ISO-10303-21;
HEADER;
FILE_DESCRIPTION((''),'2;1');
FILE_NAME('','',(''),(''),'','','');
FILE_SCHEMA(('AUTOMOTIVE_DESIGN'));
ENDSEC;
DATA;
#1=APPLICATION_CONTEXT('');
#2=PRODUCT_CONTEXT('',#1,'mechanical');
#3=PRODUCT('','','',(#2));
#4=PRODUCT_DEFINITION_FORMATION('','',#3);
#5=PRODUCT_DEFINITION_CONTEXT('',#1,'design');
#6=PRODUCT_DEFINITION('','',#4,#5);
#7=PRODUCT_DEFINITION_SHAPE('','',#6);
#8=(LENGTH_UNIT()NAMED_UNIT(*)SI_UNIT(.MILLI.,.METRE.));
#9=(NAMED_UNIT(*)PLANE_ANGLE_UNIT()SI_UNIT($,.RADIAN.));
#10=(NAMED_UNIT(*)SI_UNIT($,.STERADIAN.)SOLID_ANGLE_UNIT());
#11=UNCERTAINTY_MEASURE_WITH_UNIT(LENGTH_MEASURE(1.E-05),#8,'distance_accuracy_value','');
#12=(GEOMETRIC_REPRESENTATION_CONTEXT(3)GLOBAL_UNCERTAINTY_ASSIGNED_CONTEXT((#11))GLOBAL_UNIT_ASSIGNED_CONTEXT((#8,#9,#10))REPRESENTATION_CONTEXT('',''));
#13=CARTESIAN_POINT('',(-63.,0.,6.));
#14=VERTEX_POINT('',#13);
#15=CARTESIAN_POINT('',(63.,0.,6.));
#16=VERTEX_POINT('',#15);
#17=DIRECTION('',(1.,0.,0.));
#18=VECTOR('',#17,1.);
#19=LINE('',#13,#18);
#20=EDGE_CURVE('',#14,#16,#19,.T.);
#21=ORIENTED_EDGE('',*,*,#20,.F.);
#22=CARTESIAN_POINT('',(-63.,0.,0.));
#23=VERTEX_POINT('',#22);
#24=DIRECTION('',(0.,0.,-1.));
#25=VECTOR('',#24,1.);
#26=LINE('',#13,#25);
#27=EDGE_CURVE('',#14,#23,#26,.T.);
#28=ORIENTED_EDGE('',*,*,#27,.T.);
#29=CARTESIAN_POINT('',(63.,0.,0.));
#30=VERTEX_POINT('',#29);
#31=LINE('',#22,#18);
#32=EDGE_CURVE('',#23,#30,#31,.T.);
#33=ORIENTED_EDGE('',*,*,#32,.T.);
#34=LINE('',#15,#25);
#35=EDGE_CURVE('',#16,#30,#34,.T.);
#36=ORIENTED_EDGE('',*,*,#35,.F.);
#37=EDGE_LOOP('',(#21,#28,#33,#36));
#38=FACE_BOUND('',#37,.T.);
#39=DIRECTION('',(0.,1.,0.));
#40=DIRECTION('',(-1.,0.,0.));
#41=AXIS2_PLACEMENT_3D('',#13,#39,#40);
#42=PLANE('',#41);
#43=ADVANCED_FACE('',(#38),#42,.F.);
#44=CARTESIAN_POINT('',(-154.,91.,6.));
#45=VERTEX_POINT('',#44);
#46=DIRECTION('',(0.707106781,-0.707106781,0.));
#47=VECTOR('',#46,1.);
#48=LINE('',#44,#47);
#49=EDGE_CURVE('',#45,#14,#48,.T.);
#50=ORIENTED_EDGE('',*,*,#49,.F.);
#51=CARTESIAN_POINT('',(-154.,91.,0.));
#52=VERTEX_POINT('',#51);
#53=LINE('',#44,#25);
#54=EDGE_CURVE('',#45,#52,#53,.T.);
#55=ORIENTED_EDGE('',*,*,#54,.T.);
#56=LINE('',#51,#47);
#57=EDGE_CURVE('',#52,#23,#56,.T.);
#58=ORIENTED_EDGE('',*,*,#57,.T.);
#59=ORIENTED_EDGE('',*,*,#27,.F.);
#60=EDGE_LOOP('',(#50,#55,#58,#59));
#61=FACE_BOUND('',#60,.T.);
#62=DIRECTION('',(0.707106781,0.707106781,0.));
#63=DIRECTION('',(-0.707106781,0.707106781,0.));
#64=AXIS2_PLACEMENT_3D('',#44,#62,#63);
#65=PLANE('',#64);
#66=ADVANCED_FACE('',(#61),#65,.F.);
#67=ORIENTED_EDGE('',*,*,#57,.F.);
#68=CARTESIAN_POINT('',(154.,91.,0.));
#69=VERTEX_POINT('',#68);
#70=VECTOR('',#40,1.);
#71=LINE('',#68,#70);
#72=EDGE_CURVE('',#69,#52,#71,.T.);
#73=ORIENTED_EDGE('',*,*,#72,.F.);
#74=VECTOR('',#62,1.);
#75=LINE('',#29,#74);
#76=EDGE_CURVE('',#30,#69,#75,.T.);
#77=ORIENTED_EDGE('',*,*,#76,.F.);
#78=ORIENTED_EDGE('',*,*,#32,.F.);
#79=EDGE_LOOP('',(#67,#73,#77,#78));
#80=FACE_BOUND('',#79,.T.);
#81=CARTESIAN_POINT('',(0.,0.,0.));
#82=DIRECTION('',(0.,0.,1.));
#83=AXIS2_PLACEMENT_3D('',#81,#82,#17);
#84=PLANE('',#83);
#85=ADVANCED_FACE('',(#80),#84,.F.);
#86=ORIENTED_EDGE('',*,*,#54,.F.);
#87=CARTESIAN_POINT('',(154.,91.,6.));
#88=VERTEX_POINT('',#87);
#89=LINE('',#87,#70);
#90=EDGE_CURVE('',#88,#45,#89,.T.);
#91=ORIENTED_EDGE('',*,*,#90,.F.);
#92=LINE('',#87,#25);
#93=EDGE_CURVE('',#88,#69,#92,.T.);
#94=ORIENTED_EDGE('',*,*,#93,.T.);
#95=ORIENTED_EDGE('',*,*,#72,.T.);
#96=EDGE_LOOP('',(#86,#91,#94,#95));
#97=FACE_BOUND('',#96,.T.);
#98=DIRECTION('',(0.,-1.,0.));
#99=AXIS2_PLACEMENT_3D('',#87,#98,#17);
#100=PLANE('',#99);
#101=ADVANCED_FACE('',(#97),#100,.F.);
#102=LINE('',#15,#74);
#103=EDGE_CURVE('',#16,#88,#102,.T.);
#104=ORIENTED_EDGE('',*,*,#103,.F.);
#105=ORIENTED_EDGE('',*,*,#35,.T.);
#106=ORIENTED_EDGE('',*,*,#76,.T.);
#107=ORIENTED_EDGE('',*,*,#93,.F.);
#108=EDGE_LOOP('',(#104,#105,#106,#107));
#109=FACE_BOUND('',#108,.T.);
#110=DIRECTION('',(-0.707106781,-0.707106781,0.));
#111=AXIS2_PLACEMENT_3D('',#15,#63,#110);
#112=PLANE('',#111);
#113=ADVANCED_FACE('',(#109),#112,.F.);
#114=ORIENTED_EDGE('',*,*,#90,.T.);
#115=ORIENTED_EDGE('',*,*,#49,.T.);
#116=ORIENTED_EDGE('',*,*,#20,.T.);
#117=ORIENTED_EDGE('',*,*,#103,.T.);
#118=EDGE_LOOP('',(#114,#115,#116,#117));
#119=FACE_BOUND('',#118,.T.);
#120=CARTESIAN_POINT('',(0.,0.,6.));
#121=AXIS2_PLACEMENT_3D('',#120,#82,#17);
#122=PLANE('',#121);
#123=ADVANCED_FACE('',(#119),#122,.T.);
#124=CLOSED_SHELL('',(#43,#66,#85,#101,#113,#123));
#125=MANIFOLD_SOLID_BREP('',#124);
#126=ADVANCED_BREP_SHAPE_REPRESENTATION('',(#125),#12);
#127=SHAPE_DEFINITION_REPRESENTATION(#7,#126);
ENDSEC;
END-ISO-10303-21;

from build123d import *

# Parameters (mm, degrees)
BOSS_EXTRU_1_DEPTH = 6


with BuildPart() as part:
    # Esquisse1 → Boss.-Extru.1 (new body)
    with BuildSketch(Plane.XY):
        Polygon((-63, 0), (63, 0), (154, 91), (-154, 91), align=None)
    extrude(amount=BOSS_EXTRU_1_DEPTH)


solid = part.part
